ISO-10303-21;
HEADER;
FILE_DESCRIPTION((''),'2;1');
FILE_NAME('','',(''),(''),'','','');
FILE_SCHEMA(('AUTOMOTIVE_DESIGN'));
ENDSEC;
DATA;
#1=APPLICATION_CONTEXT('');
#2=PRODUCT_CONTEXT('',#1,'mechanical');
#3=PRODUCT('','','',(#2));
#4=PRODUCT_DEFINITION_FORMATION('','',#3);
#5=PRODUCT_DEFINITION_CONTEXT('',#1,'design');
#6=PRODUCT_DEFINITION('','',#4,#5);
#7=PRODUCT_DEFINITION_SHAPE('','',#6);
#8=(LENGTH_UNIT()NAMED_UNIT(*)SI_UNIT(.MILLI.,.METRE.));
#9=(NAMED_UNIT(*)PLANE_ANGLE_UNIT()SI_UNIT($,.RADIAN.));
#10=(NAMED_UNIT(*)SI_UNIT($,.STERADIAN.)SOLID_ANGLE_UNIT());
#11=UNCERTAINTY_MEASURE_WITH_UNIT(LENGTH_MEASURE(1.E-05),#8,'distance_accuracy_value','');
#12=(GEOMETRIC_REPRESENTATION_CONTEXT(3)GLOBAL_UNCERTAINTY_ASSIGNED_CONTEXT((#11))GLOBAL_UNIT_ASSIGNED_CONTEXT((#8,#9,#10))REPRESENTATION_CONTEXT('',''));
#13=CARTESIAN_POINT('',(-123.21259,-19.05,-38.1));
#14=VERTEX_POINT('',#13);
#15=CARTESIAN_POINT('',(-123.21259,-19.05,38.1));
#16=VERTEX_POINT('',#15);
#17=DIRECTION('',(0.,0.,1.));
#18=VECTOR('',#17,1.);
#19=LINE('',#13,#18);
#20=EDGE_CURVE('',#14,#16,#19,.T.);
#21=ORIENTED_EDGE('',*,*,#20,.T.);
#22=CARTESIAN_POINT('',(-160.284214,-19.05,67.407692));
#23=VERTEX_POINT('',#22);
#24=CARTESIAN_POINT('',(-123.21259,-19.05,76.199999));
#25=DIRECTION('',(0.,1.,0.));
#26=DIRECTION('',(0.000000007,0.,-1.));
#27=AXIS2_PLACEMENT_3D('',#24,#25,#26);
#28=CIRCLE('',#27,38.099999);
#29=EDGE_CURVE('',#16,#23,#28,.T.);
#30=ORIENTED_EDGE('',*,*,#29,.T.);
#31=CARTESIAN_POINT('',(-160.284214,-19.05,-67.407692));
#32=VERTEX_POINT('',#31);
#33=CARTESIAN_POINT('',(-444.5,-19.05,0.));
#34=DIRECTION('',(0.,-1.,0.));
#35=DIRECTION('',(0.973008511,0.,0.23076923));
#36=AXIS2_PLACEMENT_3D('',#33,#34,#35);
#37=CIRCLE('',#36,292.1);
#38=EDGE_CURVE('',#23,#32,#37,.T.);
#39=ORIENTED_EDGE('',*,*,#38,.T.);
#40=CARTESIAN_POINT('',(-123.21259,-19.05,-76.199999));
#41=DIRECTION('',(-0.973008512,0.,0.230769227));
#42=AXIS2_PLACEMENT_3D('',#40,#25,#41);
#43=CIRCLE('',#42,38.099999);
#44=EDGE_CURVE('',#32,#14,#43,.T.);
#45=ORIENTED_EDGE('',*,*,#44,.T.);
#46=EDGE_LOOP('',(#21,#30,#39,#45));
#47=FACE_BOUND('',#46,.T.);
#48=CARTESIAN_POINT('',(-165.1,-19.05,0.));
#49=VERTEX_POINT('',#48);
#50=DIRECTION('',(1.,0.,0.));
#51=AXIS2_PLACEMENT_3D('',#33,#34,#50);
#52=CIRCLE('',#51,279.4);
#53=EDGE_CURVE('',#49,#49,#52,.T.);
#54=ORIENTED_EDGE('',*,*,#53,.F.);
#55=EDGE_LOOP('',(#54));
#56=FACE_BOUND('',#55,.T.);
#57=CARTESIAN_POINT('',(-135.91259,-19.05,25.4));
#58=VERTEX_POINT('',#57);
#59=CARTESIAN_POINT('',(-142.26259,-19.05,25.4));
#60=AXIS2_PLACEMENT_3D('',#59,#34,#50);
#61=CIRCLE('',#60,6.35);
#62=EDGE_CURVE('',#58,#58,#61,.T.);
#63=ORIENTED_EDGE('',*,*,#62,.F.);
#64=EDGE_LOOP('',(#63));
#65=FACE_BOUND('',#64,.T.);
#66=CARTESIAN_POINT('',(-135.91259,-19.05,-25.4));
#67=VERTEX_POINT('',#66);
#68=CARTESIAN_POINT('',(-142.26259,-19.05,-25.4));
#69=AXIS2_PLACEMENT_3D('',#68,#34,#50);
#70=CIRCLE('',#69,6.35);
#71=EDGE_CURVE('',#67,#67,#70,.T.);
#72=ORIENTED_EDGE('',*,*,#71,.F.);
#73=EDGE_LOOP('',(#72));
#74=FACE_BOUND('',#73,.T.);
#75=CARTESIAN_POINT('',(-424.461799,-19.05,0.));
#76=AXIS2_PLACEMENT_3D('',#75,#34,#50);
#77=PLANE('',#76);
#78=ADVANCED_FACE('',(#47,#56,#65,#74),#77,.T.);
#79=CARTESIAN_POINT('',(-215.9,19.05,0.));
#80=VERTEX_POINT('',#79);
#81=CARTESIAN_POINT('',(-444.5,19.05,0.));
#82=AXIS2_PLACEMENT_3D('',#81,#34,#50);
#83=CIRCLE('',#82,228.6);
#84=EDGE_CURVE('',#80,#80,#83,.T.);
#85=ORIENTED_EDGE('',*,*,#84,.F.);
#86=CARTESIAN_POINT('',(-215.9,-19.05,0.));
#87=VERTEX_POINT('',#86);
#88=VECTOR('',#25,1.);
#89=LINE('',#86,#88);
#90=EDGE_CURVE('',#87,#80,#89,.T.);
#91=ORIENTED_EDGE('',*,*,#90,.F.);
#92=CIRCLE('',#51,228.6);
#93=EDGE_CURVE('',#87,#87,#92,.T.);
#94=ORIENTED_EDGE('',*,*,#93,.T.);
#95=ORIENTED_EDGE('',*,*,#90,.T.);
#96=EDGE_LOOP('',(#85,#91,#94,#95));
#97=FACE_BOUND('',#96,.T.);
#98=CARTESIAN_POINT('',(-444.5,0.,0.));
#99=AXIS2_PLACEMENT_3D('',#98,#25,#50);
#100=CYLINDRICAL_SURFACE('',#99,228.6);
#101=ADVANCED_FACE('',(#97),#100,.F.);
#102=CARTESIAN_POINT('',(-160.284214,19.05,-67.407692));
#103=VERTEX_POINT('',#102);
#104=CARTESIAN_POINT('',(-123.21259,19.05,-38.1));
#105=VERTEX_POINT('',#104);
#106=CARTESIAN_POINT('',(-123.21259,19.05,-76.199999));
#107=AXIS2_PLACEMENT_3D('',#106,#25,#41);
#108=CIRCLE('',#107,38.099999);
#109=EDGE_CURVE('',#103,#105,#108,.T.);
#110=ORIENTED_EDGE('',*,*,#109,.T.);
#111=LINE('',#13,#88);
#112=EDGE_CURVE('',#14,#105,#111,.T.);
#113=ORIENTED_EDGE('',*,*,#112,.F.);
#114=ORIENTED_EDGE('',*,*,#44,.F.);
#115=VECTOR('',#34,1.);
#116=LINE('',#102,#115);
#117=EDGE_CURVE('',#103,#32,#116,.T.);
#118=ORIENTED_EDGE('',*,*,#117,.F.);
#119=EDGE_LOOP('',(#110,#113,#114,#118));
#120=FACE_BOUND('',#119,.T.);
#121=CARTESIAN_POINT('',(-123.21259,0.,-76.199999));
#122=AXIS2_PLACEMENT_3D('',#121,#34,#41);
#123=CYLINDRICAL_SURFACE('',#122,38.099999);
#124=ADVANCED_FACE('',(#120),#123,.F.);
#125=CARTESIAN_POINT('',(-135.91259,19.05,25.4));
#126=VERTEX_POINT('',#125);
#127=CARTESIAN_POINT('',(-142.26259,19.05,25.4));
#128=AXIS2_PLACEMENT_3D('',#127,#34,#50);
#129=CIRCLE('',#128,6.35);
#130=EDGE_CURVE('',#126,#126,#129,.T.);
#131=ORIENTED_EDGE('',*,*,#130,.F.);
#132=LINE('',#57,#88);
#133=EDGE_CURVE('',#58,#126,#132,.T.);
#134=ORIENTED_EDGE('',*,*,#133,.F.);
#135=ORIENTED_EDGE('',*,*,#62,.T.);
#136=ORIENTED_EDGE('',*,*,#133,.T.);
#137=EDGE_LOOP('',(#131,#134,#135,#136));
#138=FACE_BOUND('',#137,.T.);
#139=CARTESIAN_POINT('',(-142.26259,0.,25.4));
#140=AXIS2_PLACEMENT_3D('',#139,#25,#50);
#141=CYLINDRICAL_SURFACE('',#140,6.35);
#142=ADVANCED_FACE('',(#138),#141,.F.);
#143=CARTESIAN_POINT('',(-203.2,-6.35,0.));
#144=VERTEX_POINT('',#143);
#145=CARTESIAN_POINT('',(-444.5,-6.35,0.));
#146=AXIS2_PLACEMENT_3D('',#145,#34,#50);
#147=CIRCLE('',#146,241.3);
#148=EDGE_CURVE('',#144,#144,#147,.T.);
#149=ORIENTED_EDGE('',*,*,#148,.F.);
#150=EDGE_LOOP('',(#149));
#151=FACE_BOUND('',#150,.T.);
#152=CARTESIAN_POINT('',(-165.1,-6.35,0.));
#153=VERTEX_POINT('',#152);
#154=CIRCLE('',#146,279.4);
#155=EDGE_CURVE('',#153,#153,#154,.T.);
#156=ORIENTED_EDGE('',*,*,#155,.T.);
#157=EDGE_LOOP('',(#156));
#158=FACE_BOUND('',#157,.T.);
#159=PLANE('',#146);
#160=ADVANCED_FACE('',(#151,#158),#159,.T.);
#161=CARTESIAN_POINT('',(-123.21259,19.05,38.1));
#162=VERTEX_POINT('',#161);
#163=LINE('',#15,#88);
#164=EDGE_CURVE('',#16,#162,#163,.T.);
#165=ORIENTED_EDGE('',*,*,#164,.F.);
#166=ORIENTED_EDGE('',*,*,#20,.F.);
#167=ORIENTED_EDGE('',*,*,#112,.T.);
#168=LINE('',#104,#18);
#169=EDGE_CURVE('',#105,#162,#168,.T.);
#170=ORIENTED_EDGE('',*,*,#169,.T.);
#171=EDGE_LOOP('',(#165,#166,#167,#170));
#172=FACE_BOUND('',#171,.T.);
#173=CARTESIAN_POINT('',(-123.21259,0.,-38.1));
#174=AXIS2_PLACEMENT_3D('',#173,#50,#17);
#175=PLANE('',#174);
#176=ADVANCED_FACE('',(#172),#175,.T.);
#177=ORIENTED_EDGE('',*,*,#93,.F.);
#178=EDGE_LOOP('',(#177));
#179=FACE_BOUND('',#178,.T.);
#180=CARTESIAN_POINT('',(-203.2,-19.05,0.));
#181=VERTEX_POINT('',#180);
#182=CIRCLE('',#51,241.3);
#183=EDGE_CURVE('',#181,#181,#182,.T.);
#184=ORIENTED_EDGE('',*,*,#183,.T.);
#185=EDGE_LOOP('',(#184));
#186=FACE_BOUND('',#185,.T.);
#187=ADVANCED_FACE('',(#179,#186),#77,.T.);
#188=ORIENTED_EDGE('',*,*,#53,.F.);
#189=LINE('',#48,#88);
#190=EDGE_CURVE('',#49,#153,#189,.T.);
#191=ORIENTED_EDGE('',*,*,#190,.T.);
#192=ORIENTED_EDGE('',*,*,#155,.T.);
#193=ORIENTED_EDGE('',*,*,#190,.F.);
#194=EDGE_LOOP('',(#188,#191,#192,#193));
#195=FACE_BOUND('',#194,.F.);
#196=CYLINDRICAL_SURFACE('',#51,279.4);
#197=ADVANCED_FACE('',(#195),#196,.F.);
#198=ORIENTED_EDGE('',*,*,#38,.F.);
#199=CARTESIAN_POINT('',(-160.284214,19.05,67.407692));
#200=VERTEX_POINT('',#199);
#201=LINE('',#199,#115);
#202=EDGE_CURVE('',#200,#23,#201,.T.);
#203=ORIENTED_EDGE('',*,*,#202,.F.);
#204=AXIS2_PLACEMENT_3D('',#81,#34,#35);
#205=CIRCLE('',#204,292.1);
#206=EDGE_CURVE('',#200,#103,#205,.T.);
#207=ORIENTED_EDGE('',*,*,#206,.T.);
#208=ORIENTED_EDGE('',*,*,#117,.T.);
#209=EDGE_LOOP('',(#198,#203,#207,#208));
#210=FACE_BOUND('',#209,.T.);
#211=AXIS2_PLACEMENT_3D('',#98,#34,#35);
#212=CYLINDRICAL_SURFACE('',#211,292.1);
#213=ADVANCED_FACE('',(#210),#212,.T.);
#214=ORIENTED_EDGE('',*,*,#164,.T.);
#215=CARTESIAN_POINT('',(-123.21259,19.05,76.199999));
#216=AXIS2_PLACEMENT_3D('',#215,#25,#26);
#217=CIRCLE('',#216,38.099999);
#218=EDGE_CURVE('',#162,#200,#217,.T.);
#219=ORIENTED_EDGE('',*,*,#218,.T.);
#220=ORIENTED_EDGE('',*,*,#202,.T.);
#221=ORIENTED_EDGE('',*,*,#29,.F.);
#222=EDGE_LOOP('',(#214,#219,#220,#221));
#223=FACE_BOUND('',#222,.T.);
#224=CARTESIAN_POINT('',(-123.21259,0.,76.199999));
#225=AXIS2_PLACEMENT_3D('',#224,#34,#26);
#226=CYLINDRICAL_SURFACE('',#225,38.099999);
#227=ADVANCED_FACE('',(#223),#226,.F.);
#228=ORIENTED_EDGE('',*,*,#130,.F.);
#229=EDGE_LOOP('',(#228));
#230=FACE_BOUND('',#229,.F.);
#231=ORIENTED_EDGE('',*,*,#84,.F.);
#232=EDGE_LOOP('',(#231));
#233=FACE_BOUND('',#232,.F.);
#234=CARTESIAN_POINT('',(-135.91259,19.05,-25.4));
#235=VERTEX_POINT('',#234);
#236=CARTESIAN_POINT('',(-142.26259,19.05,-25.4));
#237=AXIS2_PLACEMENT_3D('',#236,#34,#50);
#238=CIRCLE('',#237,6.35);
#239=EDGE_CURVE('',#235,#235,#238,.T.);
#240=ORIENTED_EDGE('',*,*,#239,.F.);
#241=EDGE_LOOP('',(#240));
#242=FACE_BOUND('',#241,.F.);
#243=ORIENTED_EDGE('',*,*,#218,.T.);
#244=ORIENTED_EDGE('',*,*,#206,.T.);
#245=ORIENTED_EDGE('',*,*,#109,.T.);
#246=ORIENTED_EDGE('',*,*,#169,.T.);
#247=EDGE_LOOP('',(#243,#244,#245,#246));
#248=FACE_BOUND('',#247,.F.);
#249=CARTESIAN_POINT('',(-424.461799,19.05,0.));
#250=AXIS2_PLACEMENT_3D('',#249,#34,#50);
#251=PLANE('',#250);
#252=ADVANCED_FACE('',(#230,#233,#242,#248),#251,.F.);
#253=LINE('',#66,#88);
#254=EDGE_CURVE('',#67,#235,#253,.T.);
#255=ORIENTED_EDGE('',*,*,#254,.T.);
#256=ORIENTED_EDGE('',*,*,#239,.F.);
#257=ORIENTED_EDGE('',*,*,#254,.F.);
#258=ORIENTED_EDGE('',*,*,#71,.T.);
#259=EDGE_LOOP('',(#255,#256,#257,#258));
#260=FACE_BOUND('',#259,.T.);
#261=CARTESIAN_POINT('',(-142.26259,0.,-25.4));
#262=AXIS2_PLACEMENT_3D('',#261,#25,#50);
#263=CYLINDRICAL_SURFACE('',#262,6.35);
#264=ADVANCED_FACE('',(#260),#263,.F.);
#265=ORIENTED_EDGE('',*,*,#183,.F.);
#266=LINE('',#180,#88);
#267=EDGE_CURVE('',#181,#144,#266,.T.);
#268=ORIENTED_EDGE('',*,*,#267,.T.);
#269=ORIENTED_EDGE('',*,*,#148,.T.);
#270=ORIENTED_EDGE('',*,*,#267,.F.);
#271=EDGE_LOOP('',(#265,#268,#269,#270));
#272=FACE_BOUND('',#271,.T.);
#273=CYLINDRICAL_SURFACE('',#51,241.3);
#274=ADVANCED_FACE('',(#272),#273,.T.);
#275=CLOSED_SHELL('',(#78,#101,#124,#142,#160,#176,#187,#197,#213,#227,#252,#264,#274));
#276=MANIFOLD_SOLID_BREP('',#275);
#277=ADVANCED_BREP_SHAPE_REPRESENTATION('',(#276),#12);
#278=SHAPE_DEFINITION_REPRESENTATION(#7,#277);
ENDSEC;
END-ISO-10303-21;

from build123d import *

# Parameters (mm, degrees)
F0_R     = 6.35
F0_R_2   = 228.6
F1_DEPTH = 19.05
F2_R     = 279.4
F2_R_2   = 241.3
F3_DEPTH = 12.7


with BuildPart() as f1:
    # F0 (on Front) → F1 (new body, symmetric)
    with BuildSketch(Plane.XZ):
        with BuildLine():
            ThreePointArc((-123.21259, 38.1), (-146.841207, 46.311901), (-160.284214, 67.407692))
            ThreePointArc((-160.284214, 67.407692), (-736.6, 0), (-160.284214, -67.407692))
            ThreePointArc((-160.284214, -67.407692), (-146.841207, -46.311901), (-123.21259, -38.1))
            Line((-123.21259, -38.1), (-123.21259, 38.1))
        make_face()
        with Locations((-142.26259, -25.4)):
            Circle(F0_R, mode=Mode.SUBTRACT)
        with Locations((-444.5, 0)):
            Circle(F0_R_2, mode=Mode.SUBTRACT)
        with Locations((-142.26259, 25.4)):
            Circle(F0_R, mode=Mode.SUBTRACT)
    extrude(amount=F1_DEPTH, both=True)

    # F2 (on face) → F3 (cut)
    with BuildSketch(Plane.XZ.offset(19.05)):
        with Locations((-444.5, 0)):
            Circle(F2_R)
        with Locations((-444.5, 0)):
            Circle(F2_R_2, mode=Mode.SUBTRACT)
    extrude(amount=-F3_DEPTH, mode=Mode.SUBTRACT)


solid = f1.part
